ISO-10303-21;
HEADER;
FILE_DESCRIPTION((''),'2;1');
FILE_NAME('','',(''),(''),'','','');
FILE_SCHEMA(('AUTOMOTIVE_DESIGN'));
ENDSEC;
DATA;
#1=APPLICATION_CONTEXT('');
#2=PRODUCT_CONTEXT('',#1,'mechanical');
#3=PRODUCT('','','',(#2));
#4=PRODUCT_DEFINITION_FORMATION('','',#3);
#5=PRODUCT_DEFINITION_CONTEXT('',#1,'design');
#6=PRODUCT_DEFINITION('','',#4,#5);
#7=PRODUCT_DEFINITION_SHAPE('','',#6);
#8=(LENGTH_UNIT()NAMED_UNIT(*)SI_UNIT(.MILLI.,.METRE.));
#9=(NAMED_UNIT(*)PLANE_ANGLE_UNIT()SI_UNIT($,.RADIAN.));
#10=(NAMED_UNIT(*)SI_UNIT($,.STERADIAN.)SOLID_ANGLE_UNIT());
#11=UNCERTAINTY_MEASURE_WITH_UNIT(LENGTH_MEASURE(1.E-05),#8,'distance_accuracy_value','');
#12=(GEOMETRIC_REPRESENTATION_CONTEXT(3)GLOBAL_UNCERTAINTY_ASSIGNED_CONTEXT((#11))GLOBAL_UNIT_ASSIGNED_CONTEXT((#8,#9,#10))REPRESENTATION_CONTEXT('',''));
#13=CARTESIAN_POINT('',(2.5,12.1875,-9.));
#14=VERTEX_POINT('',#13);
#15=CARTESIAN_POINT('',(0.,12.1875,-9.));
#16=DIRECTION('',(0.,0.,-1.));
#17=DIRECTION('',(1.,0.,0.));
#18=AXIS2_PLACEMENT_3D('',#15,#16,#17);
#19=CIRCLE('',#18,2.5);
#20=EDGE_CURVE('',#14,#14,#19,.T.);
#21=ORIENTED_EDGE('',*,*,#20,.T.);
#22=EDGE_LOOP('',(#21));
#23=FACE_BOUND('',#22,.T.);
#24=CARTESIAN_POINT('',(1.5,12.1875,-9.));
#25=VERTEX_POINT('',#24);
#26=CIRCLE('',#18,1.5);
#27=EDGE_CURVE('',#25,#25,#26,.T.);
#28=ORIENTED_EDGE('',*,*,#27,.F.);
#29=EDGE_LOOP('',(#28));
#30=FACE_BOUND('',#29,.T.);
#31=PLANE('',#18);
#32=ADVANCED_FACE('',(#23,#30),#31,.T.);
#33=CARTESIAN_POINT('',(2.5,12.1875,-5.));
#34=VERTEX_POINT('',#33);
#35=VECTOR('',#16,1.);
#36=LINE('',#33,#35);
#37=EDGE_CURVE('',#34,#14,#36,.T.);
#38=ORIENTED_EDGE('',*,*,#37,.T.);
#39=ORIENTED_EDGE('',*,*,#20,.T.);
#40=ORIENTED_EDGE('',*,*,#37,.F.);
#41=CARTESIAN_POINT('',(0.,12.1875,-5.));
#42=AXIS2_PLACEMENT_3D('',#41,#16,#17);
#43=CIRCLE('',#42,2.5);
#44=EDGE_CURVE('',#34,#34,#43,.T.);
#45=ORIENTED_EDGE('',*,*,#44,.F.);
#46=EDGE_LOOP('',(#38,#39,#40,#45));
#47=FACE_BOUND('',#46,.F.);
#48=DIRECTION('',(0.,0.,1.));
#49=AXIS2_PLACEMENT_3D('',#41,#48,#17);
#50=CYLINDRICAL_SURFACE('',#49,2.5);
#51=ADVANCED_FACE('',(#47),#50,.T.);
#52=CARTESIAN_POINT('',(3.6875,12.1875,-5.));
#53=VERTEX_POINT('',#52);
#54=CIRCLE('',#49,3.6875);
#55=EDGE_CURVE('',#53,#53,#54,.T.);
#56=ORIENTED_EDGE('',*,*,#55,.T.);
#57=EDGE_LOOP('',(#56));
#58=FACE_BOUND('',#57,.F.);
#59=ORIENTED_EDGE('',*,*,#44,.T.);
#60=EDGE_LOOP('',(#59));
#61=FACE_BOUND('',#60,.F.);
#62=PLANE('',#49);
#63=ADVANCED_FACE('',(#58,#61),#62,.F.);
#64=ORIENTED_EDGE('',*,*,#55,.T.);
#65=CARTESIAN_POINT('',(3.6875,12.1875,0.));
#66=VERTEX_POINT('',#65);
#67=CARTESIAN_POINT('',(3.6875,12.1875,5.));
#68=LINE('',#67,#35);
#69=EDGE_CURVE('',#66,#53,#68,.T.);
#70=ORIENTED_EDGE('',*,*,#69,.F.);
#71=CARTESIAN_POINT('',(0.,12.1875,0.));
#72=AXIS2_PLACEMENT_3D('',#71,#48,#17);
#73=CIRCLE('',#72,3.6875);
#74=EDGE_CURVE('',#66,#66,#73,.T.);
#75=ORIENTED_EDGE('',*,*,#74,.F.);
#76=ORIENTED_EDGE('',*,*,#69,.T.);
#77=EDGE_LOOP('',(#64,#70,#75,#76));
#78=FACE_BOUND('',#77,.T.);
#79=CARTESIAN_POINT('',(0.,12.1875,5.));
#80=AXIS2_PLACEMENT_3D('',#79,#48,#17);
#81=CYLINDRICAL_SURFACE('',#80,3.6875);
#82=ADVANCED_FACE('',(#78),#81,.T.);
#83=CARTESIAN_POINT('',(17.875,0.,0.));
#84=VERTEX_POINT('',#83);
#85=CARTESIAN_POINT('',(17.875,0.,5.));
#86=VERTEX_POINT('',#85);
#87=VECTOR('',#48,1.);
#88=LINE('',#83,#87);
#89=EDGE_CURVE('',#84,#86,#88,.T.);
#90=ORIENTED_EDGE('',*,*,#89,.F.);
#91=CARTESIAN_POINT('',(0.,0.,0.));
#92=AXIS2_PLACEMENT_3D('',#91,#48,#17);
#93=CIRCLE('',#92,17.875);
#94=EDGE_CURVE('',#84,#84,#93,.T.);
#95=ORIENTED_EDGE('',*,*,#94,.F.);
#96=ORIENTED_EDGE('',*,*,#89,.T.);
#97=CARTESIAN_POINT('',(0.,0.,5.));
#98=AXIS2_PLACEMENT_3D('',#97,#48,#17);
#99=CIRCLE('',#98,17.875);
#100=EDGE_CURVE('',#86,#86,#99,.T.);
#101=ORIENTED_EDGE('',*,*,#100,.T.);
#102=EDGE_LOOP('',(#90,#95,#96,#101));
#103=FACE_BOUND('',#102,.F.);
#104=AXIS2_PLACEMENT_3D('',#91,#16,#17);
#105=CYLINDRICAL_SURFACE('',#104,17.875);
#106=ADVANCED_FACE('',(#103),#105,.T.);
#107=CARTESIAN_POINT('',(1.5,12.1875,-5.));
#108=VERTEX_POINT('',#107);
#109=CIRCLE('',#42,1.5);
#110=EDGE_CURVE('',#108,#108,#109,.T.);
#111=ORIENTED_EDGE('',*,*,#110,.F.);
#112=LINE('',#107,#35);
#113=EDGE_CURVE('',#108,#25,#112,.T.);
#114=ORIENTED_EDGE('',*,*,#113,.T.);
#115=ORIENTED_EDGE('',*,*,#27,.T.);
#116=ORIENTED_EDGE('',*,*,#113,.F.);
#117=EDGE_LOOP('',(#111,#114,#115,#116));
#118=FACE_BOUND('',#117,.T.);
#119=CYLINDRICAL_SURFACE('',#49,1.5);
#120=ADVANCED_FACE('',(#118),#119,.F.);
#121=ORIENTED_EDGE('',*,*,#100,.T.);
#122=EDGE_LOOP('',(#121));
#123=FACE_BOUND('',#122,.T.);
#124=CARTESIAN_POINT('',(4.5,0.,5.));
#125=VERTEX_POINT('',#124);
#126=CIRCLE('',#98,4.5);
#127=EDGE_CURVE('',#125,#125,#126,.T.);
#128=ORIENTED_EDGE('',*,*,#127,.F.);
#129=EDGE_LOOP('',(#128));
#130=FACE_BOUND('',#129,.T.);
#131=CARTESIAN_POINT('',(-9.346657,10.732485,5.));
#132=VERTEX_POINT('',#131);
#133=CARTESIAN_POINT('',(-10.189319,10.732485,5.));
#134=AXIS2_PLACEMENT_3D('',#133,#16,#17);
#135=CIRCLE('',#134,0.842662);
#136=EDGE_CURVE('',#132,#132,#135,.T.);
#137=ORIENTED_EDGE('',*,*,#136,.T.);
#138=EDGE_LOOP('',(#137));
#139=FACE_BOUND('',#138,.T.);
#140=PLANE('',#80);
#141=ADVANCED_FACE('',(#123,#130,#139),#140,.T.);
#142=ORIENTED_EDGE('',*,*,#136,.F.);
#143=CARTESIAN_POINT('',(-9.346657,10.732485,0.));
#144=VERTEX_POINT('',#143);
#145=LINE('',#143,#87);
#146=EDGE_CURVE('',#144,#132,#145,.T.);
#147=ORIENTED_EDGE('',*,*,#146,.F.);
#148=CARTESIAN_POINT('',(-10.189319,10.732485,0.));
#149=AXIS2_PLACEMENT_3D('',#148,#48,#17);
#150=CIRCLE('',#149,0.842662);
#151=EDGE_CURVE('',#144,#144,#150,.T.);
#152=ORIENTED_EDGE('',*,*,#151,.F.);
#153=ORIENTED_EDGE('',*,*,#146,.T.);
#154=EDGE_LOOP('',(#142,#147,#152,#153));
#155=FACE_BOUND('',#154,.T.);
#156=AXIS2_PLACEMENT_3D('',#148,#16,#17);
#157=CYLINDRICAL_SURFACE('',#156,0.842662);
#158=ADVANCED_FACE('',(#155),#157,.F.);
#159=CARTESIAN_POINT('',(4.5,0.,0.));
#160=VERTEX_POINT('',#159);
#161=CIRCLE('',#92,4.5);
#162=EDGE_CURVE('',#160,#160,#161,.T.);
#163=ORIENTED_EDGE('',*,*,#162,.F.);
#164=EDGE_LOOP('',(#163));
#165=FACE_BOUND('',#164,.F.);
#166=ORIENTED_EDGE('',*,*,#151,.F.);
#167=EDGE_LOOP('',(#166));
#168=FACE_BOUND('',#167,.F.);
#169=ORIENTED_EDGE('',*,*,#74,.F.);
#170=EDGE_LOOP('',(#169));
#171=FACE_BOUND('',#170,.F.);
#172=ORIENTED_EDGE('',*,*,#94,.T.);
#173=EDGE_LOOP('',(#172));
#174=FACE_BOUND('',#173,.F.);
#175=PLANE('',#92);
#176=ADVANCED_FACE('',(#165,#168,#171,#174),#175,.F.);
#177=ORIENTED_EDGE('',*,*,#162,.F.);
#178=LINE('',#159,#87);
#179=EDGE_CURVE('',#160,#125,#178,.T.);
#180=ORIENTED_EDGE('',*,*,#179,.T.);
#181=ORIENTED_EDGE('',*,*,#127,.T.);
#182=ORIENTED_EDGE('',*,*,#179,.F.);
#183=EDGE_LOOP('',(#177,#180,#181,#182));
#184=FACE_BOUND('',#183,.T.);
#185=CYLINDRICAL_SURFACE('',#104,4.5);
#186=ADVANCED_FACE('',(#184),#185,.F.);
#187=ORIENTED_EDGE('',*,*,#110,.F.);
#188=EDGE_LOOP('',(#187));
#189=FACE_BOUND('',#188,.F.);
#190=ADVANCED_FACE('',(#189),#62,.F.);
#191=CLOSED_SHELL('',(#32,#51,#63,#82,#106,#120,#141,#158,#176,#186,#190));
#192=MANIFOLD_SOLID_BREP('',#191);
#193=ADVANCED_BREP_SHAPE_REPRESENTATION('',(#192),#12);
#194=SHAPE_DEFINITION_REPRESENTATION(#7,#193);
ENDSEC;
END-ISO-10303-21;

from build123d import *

# Parameters (mm, degrees)
F0_R     = 17.875
F0_R_2   = 4.5
F1_DEPTH = 5
F2_R     = 3.6875
F3_DEPTH = 10
F4_R     = 2.5
F4_R_2   = 1.5
F5_DEPTH = 4
F6_R     = 0.842662
F7_DEPTH = 25


with BuildPart() as f1:
    # F0 (on Top) → F1 (new body)
    with BuildSketch(Plane.XY):
        Circle(F0_R)
        Circle(F0_R_2, mode=Mode.SUBTRACT)
    extrude(amount=F1_DEPTH)

    # F2 (on face) → F3 (join)
    with BuildSketch(Plane.XY.offset(5)):
        with Locations((0, 12.1875)):
            Circle(F2_R)
    extrude(amount=-F3_DEPTH)

    # F4 (on face) → F5 (join)
    with BuildSketch(Plane(origin=(0, 0, -5), x_dir=(1, 0, 0), z_dir=(0, 0, -1))):
        with Locations((0, -12.1875)):
            Circle(F4_R)
        with Locations((0, -12.1875)):
            Circle(F4_R_2, mode=Mode.SUBTRACT)
    extrude(amount=F5_DEPTH)

    # F6 (on Top) → F7 (cut)
    with BuildSketch(Plane.XY):
        with Locations((-10.189319, 10.732485)):
            Circle(F6_R)
    extrude(amount=F7_DEPTH, mode=Mode.SUBTRACT)


solid = f1.part
